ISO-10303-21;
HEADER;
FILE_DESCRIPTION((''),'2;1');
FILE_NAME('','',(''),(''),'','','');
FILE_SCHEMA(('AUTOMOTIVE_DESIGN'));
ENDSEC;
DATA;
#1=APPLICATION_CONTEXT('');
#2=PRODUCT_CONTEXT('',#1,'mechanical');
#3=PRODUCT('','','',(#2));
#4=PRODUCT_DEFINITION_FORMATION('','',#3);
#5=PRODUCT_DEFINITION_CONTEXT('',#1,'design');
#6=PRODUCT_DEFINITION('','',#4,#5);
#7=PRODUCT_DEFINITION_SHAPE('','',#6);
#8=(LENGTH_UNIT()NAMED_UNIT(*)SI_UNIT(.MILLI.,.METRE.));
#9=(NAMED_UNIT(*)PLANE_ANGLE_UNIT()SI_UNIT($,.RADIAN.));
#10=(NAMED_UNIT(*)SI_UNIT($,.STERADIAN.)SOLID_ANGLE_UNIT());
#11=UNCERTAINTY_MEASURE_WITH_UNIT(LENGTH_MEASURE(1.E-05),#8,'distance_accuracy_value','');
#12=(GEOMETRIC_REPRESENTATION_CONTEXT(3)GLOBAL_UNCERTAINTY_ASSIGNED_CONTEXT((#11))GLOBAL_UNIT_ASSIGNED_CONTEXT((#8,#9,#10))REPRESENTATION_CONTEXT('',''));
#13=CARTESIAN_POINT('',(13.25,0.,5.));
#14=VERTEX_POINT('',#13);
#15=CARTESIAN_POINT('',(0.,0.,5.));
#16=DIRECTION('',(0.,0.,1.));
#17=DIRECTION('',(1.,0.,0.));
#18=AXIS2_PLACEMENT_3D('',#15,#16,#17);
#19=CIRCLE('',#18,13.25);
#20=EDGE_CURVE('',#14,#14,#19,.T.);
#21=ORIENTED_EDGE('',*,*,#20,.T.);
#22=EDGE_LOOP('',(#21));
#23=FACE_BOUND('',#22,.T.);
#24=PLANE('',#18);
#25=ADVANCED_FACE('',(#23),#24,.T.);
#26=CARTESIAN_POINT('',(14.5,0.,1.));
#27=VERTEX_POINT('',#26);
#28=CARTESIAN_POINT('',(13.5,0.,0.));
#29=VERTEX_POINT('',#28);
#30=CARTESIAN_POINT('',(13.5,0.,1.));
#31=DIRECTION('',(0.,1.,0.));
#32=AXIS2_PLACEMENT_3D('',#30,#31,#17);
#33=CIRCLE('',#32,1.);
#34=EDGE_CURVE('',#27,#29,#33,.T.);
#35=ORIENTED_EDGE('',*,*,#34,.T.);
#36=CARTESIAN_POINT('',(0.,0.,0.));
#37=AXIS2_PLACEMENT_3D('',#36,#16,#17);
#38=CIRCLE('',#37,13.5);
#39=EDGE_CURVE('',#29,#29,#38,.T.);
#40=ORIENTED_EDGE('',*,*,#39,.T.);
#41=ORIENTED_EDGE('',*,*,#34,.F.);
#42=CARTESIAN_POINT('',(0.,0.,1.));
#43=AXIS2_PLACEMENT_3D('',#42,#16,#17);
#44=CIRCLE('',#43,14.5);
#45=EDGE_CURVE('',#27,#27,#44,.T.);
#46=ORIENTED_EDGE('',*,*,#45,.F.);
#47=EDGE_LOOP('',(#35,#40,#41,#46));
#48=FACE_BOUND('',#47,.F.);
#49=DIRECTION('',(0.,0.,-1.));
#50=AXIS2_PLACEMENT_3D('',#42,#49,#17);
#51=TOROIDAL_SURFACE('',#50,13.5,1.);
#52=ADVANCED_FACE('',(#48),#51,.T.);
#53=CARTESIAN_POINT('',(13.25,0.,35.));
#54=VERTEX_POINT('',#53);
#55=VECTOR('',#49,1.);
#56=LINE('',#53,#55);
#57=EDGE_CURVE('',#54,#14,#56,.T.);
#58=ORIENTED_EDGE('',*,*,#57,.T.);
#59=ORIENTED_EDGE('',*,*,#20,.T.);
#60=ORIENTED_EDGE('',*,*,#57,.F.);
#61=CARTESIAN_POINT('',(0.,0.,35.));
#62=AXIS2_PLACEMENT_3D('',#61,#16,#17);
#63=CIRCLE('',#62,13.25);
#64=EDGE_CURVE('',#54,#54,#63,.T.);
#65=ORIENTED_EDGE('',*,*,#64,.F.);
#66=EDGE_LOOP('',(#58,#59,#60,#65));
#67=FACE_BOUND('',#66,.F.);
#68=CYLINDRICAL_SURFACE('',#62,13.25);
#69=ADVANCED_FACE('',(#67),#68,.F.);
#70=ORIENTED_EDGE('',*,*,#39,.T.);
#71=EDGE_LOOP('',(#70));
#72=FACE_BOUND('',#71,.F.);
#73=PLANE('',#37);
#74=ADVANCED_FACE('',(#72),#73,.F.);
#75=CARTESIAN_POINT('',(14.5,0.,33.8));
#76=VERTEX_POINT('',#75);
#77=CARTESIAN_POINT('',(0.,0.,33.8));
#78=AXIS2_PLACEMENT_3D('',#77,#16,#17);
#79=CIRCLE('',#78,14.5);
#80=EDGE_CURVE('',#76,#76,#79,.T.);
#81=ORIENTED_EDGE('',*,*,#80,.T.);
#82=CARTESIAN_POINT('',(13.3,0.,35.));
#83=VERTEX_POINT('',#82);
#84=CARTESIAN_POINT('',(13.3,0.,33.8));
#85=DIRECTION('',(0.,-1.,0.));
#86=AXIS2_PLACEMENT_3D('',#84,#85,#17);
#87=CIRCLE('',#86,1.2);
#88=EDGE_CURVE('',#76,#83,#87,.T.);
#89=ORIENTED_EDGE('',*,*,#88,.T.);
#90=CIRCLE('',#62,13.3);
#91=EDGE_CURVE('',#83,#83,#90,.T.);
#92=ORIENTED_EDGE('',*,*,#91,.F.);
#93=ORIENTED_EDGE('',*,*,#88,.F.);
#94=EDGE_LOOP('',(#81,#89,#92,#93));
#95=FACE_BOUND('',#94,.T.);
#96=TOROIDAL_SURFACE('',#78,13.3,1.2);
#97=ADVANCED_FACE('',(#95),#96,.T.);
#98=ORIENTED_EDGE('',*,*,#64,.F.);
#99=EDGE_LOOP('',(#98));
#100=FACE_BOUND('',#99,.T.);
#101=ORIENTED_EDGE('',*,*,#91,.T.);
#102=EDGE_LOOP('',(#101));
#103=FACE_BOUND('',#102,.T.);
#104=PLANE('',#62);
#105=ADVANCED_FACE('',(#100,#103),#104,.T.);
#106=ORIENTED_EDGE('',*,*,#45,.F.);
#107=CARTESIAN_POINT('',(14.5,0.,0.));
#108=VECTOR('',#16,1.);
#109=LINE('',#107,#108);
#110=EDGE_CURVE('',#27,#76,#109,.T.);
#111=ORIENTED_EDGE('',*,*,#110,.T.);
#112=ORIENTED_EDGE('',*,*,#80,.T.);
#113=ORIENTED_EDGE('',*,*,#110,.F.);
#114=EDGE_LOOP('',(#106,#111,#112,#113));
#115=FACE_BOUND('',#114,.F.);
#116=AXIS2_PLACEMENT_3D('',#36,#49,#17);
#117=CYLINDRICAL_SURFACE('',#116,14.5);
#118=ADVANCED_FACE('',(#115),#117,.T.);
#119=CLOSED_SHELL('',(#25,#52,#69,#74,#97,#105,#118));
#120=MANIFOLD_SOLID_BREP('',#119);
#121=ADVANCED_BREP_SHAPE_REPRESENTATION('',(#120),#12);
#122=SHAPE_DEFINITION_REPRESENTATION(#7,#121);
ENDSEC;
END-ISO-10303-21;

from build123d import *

# Parameters (mm, degrees)
SKETCH_R     = 14.5
PAD_DEPTH    = 35
SKETCH001_R  = 13.25
POCKET_DEPTH = 30
FILLET_R     = 1
FILLET001_R  = 1.2


with BuildPart() as part:
    # Sketch → Pad (new body)
    with BuildSketch(Plane.XY):
        Circle(SKETCH_R)
    extrude(amount=PAD_DEPTH)

    # Sketch001 (on Face3 of Pad) → Pocket (cut)
    with BuildSketch(Plane.XY.offset(35)):
        Circle(SKETCH001_R)
    extrude(amount=-POCKET_DEPTH, mode=Mode.SUBTRACT)

    # Fillet
    fillet_edges = [part.edges().sort_by_distance(p)[0] for p in [
        (-14.5, 0, 0),
    ]]
    fillet(fillet_edges, radius=FILLET_R)

    # Fillet001
    fillet001_edges = [part.edges().sort_by_distance(p)[0] for p in [
        (-14.5, 0, 35),
    ]]
    fillet(fillet001_edges, radius=FILLET001_R)


solid = part.part
